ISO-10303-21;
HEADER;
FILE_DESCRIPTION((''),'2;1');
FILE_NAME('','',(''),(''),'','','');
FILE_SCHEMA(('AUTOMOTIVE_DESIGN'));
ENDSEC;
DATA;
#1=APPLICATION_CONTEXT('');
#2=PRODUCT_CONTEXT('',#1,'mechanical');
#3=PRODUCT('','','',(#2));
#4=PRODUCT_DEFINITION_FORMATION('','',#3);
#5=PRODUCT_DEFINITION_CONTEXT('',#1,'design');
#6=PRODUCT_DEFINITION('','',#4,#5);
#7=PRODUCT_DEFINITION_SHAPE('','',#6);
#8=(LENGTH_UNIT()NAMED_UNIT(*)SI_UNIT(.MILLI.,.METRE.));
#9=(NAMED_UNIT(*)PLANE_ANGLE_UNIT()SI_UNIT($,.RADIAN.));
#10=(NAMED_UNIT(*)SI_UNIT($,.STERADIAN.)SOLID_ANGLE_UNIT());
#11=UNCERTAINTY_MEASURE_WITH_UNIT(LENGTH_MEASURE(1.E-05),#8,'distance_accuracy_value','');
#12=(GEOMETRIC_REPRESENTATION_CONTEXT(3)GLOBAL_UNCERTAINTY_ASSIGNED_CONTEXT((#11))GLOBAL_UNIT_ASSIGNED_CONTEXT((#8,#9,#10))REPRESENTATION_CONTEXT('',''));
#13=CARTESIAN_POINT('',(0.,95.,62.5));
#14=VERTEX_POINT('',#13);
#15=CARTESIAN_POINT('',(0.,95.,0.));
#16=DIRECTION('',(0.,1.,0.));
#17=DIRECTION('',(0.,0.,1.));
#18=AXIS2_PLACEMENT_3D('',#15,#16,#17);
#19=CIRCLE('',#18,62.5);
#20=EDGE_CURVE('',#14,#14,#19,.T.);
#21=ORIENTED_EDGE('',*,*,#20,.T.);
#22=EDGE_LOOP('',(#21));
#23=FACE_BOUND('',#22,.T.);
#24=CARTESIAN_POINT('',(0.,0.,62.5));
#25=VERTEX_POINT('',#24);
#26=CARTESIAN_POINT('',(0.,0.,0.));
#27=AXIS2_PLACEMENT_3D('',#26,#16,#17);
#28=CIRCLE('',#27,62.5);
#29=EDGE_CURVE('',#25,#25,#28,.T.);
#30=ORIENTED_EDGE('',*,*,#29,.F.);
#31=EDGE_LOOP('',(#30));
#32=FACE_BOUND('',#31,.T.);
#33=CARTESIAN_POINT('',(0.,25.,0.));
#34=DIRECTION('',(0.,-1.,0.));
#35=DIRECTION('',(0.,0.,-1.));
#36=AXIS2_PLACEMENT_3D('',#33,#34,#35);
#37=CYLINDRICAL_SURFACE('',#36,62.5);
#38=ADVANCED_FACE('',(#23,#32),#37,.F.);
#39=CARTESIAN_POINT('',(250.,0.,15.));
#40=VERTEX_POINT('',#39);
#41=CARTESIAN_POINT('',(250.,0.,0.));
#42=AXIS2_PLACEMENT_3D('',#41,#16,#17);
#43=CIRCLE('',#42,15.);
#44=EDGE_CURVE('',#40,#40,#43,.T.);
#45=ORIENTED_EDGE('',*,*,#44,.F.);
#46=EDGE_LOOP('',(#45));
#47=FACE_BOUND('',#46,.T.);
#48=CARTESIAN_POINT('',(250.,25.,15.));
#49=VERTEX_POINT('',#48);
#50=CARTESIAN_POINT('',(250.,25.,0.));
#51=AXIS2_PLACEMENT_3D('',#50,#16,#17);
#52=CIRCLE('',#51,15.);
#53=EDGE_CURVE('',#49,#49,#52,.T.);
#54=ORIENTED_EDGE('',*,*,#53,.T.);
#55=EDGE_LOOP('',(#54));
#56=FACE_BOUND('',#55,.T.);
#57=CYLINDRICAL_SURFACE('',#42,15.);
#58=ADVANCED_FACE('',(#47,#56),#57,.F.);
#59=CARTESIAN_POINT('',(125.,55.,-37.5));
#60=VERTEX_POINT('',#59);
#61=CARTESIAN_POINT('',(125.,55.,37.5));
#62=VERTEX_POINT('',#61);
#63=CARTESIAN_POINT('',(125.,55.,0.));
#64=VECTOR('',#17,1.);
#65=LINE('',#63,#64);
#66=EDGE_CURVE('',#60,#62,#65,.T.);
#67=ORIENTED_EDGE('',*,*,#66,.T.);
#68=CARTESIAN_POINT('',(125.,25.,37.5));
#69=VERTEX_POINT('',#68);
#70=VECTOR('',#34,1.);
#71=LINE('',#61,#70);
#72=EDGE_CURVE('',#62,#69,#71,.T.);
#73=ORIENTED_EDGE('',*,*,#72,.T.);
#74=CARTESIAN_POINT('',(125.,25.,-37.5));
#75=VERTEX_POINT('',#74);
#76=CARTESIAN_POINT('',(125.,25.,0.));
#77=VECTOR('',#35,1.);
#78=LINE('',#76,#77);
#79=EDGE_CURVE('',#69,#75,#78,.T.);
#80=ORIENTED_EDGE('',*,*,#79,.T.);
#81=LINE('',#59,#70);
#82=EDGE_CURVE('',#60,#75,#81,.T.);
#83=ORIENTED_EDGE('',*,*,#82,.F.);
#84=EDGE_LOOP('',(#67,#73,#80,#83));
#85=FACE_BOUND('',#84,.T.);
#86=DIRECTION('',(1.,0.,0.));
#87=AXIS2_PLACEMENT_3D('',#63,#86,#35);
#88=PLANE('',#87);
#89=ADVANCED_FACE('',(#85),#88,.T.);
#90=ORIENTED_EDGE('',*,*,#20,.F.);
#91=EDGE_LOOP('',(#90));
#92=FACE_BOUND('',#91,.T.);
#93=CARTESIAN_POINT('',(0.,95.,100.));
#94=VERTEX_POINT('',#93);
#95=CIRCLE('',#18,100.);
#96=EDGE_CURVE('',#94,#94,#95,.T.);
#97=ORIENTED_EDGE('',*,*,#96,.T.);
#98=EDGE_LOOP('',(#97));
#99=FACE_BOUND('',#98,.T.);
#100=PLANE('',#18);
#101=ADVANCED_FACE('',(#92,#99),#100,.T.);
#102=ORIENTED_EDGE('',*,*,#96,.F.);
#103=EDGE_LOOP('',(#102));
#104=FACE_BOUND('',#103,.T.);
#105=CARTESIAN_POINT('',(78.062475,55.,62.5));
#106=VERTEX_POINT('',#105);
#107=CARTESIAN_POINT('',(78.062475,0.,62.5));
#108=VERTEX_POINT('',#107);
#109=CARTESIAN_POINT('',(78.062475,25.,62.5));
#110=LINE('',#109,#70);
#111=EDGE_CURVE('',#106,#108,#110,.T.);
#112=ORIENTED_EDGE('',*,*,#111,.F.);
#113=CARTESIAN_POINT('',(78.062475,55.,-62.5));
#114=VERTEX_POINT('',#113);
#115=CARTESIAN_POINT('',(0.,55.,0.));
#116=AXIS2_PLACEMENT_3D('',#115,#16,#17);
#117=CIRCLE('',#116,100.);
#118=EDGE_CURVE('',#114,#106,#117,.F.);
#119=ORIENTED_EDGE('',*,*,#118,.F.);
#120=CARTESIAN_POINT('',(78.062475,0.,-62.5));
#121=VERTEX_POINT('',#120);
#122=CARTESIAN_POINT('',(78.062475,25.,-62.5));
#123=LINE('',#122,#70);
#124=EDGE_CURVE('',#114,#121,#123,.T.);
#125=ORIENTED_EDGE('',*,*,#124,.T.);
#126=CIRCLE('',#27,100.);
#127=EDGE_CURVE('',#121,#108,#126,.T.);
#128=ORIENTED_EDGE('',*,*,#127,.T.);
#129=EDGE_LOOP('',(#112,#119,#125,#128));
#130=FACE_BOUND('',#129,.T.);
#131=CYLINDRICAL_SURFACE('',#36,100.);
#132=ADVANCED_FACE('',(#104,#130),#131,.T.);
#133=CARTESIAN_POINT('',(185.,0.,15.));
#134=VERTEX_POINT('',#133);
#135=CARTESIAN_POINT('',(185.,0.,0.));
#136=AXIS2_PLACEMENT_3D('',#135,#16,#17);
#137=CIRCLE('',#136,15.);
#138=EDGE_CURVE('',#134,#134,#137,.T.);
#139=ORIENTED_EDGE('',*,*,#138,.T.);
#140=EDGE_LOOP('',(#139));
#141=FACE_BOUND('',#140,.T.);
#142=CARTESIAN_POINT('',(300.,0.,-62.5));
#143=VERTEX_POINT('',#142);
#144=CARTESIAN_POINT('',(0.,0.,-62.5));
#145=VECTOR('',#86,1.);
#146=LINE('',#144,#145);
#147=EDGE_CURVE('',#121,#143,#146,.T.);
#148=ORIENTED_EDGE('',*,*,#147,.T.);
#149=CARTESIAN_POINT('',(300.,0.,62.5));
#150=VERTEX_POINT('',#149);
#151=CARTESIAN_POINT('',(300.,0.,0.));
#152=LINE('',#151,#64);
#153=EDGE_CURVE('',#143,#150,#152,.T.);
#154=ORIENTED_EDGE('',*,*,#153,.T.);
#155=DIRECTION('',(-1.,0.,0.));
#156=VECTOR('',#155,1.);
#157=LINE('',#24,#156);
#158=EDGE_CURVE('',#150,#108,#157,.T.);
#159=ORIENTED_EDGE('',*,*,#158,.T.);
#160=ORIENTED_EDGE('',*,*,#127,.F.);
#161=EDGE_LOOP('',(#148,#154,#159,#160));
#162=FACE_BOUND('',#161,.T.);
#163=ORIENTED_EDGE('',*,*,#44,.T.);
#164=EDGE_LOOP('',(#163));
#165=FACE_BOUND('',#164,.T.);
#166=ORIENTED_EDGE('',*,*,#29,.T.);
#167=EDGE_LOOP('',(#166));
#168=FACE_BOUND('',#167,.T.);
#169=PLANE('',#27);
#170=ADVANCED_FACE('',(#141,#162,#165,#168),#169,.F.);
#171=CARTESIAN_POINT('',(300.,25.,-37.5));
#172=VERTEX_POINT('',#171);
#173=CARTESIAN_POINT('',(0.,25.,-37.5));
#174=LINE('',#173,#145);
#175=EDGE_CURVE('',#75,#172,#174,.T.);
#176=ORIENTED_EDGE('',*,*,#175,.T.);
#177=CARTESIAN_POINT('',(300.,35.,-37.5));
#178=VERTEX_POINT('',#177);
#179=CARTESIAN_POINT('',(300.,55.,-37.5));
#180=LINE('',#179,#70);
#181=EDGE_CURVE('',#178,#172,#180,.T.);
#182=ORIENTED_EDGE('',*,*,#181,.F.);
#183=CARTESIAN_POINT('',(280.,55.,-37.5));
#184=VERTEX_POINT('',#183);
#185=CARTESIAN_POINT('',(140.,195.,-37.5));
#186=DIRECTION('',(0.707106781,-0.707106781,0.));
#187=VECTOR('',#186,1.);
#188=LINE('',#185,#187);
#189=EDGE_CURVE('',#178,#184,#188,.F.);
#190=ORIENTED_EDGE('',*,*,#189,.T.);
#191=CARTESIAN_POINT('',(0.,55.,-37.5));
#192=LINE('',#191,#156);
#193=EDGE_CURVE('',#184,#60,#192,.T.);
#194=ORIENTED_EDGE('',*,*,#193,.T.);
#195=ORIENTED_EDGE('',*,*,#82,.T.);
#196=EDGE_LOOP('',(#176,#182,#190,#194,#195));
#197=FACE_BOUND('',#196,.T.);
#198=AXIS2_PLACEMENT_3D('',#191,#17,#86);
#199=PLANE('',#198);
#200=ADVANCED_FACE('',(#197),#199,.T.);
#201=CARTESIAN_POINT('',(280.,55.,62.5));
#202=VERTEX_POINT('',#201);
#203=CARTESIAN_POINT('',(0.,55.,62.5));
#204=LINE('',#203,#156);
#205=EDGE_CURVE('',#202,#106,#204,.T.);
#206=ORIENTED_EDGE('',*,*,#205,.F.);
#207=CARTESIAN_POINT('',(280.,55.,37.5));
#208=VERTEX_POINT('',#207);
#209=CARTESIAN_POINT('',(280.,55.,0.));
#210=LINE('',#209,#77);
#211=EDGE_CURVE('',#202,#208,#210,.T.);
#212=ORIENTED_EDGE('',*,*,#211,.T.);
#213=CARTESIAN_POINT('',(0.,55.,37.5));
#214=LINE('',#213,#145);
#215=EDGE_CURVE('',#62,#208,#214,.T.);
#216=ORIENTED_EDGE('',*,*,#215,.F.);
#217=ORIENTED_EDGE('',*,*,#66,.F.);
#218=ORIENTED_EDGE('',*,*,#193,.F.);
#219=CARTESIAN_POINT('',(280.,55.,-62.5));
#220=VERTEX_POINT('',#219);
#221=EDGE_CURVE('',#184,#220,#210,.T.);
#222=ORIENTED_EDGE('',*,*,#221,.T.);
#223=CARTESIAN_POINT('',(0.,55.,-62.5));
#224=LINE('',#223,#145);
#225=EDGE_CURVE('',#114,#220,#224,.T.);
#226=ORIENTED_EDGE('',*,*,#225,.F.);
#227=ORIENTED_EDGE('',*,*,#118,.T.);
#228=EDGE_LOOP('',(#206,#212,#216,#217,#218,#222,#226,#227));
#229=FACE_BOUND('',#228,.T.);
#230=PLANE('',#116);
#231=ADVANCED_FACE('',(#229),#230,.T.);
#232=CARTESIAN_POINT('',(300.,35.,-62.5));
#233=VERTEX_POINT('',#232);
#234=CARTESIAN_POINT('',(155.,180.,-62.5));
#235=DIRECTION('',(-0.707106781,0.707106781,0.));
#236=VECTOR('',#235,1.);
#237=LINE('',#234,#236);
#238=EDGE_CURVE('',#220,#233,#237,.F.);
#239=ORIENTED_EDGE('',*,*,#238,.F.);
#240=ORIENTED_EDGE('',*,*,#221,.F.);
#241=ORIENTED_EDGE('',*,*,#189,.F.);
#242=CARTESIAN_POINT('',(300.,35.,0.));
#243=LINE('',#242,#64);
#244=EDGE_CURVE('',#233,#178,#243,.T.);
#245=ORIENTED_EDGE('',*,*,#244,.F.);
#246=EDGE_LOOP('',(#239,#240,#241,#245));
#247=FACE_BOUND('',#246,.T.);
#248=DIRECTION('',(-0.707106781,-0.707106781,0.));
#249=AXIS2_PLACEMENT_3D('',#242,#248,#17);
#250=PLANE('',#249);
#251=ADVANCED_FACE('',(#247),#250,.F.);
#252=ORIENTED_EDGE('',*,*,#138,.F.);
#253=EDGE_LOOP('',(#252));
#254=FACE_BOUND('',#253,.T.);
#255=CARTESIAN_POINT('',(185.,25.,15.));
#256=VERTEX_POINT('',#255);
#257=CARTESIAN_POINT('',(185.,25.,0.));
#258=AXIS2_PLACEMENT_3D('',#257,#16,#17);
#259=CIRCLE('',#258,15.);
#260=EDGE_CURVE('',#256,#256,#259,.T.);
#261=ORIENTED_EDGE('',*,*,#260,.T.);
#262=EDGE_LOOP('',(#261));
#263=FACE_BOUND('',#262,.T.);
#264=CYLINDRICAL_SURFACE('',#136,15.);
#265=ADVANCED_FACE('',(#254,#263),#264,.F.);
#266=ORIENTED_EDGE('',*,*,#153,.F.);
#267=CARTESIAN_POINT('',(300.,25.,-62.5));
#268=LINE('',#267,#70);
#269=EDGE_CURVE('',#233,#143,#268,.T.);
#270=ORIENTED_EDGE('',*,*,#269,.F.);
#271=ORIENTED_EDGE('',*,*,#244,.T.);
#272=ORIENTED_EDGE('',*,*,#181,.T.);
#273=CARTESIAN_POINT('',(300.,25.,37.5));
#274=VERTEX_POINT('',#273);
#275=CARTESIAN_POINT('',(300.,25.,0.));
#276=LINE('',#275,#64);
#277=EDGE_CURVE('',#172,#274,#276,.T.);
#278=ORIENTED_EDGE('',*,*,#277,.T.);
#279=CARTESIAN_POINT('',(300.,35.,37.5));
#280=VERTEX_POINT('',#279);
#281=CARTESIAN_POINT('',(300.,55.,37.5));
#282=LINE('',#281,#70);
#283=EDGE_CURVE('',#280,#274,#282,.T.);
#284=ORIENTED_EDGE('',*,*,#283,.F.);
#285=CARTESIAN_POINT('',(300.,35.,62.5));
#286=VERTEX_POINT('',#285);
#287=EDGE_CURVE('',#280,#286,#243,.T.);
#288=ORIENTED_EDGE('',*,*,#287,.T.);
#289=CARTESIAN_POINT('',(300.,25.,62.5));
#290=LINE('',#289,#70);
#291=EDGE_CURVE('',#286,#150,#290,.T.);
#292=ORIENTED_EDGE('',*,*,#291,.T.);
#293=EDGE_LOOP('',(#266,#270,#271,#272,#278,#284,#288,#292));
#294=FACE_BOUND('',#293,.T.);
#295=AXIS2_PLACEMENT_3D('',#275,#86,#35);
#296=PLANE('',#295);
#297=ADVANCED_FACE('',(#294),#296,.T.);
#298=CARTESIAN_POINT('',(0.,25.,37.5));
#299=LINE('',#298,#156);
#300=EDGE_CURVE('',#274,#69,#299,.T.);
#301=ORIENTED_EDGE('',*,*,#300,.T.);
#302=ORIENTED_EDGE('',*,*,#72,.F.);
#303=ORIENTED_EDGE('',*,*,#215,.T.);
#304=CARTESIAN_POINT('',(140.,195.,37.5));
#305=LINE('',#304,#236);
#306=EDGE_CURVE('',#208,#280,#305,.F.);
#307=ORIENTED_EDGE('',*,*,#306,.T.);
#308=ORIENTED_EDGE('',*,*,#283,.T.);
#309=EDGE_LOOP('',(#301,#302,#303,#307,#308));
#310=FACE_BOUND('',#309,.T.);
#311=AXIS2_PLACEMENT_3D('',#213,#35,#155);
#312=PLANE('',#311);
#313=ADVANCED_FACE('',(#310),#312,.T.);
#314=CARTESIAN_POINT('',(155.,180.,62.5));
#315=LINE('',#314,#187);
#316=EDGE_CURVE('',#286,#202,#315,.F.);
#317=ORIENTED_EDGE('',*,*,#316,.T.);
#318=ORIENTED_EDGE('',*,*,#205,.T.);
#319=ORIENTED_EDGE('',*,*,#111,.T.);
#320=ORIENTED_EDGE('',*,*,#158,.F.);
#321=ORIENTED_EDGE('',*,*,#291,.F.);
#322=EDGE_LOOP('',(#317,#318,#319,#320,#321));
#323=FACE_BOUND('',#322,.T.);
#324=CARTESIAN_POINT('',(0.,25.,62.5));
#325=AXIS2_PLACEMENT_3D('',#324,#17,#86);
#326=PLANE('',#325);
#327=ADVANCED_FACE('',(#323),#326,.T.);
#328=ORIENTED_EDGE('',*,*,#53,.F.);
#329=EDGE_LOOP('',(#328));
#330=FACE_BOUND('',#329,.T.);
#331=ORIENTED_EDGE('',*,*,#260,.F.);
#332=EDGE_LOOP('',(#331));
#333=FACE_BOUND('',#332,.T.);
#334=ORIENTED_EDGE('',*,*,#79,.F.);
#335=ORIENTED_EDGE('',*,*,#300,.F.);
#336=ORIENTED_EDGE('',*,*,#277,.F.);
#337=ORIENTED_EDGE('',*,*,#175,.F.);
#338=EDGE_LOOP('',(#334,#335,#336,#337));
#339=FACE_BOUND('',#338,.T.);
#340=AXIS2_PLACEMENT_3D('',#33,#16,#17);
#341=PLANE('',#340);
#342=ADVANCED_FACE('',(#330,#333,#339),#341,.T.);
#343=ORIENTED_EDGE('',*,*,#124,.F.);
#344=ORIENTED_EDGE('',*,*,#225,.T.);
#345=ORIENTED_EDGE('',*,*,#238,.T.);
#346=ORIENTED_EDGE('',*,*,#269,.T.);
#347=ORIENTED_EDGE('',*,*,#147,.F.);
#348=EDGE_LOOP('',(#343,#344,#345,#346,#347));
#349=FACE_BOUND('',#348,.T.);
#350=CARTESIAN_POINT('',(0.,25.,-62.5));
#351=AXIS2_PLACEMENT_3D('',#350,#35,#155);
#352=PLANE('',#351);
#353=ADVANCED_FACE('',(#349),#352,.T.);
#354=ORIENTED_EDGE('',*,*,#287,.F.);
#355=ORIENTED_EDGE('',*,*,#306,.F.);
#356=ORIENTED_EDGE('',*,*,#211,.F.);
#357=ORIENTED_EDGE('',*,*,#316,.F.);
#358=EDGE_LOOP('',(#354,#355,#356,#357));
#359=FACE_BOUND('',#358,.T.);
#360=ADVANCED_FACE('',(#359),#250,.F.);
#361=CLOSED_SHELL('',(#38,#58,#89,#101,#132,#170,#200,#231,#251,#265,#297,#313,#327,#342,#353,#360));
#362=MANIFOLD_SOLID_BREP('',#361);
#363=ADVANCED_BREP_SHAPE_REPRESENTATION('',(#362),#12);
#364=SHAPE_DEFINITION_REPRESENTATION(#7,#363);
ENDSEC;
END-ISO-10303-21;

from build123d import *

# Parameters (mm, degrees)
SKETCH1_R           = 62.5
BOSS_EXTRUDE1_DEPTH = 25
SKETCH1_3_R         = 62.5
BOSS_EXTRUDE2_DEPTH = 55
SKETCH1_4_R         = 62.5
BOSS_EXTRUDE3_DEPTH = 95
SKETCH3_R           = 15
CUT_EXTRUDE1_DEPTH  = 324.882694814
CHAMFER1_SIZE       = 20


with BuildPart() as part:
    # Sketch1 → Boss-Extrude1 (new body)
    with BuildSketch(Plane(origin=(0, 0, 0), x_dir=(1, 0, 0), z_dir=(0, 1, 0))):
        with BuildLine():
            Line((300, 62.5), (78.06247498, 62.5))
            ThreePointArc((78.06247498, 62.5), (-100, 0), (78.06247498, -62.5))
            Line((78.06247498, -62.5), (300, -62.5))
            Line((300, -62.5), (300, 62.5))
        make_face()
        Circle(SKETCH1_R, mode=Mode.SUBTRACT)
    extrude(amount=BOSS_EXTRUDE1_DEPTH)

    # Sketch1<3> → Boss-Extrude2 (add)
    with BuildSketch(Plane(origin=(0, 0, 0), x_dir=(1, 0, 0), z_dir=(0, 1, 0))):
        with BuildLine():
            Line((300, 62.5), (78.06247498, 62.5))
            ThreePointArc((78.06247498, 62.5), (-100, 0), (78.06247498, -62.5))
            Line((78.06247498, -62.5), (300, -62.5))
            Line((300, -62.5), (300, -37.5))
            Line((300, -37.5), (125, -37.5))
            Line((125, -37.5), (125, 37.5))
            Line((125, 37.5), (300, 37.5))
            Line((300, 37.5), (300, 62.5))
        make_face()
        Circle(SKETCH1_3_R, mode=Mode.SUBTRACT)
    extrude(amount=BOSS_EXTRUDE2_DEPTH)

    # Sketch1<4> → Boss-Extrude3 (add)
    with BuildSketch(Plane(origin=(0, 0, 0), x_dir=(1, 0, 0), z_dir=(0, 1, 0))):
        with BuildLine():
            ThreePointArc((100, 0), (94.356365705, 33.119122135), (78.06247498, 62.5))
            ThreePointArc((78.06247498, 62.5), (-100, 0), (78.06247498, -62.5))
            ThreePointArc((78.06247498, -62.5), (94.356365705, -33.119122135), (100, 0))
        make_face()
        Circle(SKETCH1_4_R, mode=Mode.SUBTRACT)
    extrude(amount=BOSS_EXTRUDE3_DEPTH)

    # Sketch3 → Cut-Extrude1 (cut, through all)
    with BuildSketch(Plane(origin=(0, 25, 0), x_dir=(1, 0, 0), z_dir=(0, 1, 0))):
        with Locations((250, 0)):
            Circle(SKETCH3_R)
        with Locations((185, 0)):
            Circle(SKETCH3_R)
    extrude(amount=-CUT_EXTRUDE1_DEPTH, mode=Mode.SUBTRACT)

    # Chamfer1
    chamfer1_edges = [part.edges().sort_by_distance(p)[0] for p in [
        (300, 55, 50),
        (300, 55, -50),
    ]]
    chamfer(chamfer1_edges, length=CHAMFER1_SIZE)


solid = part.part
